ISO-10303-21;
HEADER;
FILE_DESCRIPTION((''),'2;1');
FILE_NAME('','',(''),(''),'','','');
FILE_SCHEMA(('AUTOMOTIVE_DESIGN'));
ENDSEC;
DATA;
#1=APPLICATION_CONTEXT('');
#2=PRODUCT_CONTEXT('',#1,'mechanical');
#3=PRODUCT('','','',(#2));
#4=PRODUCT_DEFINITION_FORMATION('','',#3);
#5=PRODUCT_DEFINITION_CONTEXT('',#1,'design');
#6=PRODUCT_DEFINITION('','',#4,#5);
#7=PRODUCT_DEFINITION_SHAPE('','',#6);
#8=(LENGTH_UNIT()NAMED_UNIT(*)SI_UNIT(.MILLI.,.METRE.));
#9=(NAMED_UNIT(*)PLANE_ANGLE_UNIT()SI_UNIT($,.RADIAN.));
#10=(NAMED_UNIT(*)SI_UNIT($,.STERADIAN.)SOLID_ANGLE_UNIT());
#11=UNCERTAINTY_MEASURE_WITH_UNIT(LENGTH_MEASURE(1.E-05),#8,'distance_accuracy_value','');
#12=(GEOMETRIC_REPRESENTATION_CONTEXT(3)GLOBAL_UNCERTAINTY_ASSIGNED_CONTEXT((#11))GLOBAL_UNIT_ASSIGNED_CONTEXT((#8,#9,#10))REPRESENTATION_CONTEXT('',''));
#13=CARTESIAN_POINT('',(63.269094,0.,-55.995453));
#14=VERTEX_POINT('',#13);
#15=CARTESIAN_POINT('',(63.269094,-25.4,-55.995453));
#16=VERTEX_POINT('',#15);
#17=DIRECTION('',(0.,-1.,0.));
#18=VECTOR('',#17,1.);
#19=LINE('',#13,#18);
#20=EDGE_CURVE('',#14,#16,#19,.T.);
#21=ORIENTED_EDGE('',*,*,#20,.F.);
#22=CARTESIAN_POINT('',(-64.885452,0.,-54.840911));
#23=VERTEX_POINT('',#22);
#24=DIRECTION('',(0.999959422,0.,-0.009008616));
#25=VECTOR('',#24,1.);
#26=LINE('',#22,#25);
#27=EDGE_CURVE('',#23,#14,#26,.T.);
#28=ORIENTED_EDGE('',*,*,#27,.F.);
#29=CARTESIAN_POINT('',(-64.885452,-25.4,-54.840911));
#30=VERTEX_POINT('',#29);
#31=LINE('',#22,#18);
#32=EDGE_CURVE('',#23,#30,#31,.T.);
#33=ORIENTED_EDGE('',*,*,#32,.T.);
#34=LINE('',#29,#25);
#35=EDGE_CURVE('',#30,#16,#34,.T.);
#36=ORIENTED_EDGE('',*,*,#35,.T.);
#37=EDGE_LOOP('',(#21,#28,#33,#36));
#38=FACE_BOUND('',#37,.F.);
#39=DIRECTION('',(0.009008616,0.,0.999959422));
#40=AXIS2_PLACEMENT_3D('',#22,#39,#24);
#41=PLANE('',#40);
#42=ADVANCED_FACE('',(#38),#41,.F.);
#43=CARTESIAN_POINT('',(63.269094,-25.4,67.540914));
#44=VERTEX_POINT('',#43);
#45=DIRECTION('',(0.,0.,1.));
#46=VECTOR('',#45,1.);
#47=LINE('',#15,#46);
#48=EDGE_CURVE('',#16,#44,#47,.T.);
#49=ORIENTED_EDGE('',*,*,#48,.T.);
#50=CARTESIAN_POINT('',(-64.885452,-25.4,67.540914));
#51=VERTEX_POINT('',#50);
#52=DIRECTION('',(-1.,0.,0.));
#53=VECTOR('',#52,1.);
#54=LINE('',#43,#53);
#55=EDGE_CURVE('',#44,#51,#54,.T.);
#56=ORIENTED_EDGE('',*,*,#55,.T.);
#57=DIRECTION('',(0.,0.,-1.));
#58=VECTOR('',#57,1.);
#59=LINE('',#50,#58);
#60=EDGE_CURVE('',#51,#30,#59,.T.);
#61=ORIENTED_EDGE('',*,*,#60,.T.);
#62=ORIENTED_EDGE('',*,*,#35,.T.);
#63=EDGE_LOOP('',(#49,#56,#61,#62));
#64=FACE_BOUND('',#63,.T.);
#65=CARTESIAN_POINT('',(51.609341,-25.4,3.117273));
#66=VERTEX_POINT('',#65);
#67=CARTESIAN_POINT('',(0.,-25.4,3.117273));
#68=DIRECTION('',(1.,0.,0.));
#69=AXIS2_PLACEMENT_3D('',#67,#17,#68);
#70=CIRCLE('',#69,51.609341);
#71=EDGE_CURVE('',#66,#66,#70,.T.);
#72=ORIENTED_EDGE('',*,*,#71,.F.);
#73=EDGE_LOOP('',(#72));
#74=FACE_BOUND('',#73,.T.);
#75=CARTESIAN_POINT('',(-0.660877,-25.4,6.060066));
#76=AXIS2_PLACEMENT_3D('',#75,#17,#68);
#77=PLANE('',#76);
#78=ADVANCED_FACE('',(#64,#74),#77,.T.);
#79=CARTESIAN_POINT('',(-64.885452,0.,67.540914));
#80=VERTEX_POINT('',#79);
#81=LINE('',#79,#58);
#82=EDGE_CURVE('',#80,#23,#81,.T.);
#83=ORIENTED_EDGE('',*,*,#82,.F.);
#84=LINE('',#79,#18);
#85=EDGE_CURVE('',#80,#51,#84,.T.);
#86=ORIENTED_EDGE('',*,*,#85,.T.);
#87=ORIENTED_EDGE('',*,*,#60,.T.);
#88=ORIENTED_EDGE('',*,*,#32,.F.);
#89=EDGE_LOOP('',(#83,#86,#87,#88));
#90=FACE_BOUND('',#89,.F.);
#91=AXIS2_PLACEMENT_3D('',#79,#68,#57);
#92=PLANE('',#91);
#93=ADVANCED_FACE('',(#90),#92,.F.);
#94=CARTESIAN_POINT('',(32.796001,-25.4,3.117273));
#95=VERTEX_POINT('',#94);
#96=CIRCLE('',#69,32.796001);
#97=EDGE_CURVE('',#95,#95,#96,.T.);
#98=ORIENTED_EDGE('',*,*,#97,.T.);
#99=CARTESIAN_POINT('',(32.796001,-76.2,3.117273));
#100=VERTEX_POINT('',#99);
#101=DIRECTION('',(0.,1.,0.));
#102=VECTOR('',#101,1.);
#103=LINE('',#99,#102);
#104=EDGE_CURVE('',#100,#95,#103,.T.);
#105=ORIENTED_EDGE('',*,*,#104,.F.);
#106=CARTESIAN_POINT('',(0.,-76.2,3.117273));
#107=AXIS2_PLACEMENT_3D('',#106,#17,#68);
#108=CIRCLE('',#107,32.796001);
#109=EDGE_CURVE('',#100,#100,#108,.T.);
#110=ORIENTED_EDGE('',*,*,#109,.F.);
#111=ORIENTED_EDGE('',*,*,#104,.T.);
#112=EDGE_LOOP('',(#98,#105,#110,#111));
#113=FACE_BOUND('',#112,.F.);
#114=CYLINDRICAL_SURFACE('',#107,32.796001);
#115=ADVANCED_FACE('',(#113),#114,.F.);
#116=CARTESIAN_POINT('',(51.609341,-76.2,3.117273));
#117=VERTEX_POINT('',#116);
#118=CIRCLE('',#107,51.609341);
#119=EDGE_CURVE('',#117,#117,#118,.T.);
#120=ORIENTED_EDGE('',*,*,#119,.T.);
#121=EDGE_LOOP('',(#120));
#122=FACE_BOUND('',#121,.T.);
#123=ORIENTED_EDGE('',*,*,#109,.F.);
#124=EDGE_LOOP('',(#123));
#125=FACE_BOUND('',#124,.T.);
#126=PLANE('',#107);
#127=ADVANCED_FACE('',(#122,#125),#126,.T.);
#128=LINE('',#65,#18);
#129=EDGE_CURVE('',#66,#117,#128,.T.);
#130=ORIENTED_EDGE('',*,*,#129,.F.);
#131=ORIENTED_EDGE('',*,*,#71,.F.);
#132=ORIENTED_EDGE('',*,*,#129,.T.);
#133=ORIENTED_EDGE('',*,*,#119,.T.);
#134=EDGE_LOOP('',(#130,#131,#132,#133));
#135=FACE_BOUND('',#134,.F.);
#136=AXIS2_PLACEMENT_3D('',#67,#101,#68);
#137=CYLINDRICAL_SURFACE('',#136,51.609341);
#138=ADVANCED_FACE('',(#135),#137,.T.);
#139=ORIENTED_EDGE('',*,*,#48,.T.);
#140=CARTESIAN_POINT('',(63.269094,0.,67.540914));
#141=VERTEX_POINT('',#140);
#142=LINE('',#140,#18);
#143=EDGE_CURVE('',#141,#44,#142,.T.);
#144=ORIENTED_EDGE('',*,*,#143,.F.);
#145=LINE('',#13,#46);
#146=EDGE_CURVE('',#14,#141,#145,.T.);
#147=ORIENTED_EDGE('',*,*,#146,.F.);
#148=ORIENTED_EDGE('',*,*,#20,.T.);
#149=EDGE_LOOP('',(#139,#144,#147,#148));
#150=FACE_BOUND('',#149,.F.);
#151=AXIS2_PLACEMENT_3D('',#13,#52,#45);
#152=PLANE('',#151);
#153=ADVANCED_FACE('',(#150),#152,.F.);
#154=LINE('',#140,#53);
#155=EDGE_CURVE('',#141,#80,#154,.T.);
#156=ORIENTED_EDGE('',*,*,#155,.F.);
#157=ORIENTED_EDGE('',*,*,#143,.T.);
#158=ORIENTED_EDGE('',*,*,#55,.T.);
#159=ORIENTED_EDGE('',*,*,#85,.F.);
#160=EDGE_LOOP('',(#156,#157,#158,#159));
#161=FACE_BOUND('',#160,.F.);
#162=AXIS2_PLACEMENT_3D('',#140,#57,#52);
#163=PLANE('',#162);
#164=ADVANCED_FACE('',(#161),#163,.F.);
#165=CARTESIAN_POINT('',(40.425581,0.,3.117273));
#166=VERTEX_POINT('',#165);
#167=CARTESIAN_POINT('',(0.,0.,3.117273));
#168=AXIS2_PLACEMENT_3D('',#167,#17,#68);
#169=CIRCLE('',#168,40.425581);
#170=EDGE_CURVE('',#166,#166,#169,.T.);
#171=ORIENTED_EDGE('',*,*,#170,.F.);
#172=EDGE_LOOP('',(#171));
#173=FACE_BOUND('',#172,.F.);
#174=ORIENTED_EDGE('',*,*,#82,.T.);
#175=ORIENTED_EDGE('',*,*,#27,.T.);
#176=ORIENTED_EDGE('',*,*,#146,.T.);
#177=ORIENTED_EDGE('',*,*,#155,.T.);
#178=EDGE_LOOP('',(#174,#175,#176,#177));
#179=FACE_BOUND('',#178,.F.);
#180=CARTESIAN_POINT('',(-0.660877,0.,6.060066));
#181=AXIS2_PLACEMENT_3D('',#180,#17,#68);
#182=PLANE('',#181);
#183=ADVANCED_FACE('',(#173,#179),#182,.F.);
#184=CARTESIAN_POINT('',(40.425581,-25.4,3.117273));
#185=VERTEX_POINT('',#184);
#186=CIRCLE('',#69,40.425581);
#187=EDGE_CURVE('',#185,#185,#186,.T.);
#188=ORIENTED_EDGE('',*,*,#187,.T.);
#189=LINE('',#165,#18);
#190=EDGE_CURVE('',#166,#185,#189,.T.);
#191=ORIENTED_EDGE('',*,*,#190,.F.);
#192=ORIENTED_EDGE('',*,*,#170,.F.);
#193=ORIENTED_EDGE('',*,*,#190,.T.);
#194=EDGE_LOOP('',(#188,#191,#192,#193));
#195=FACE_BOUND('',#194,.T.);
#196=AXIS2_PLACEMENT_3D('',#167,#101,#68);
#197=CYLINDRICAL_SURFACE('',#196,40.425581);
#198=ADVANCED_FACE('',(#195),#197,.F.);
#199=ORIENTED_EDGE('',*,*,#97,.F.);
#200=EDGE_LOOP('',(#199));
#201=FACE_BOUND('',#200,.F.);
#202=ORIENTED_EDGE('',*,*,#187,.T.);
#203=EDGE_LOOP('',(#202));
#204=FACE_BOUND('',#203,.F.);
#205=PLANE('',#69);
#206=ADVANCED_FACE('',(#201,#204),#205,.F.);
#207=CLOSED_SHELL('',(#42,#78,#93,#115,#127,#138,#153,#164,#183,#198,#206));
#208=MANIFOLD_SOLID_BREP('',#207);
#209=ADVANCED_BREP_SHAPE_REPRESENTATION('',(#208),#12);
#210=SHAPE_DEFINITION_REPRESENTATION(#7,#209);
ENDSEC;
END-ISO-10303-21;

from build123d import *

# Parameters (mm, degrees)
F1_R     = 40.425581
F2_DEPTH = 25.4
F3_R     = 51.609341
F4_DEPTH = 50.8
F5_R     = 32.796001
F6_DEPTH = 76.2


with BuildPart() as f2:
    # F1 (on face) → F2 (new body)
    with BuildSketch(Plane.XZ):
        Polygon((63.269094, -55.995453), (63.269094, 67.540914), (-64.885452, 67.540914), (-64.885452, 55.995453), (-64.885452, -54.840911), align=None)
        with Locations((0, 3.117273)):
            Circle(F1_R, mode=Mode.SUBTRACT)
    extrude(amount=F2_DEPTH)

    # F3 (on face) → F4 (join)
    with BuildSketch(Plane.XZ.offset(25.4)):
        with Locations((0, 3.117273)):
            Circle(F3_R)
    extrude(amount=F4_DEPTH)

    # F5 (on face) → F6 (cut)
    with BuildSketch(Plane.XZ.offset(76.2)):
        with Locations((0, 3.117273)):
            Circle(F5_R)
    extrude(amount=-F6_DEPTH, mode=Mode.SUBTRACT)


solid = f2.part
